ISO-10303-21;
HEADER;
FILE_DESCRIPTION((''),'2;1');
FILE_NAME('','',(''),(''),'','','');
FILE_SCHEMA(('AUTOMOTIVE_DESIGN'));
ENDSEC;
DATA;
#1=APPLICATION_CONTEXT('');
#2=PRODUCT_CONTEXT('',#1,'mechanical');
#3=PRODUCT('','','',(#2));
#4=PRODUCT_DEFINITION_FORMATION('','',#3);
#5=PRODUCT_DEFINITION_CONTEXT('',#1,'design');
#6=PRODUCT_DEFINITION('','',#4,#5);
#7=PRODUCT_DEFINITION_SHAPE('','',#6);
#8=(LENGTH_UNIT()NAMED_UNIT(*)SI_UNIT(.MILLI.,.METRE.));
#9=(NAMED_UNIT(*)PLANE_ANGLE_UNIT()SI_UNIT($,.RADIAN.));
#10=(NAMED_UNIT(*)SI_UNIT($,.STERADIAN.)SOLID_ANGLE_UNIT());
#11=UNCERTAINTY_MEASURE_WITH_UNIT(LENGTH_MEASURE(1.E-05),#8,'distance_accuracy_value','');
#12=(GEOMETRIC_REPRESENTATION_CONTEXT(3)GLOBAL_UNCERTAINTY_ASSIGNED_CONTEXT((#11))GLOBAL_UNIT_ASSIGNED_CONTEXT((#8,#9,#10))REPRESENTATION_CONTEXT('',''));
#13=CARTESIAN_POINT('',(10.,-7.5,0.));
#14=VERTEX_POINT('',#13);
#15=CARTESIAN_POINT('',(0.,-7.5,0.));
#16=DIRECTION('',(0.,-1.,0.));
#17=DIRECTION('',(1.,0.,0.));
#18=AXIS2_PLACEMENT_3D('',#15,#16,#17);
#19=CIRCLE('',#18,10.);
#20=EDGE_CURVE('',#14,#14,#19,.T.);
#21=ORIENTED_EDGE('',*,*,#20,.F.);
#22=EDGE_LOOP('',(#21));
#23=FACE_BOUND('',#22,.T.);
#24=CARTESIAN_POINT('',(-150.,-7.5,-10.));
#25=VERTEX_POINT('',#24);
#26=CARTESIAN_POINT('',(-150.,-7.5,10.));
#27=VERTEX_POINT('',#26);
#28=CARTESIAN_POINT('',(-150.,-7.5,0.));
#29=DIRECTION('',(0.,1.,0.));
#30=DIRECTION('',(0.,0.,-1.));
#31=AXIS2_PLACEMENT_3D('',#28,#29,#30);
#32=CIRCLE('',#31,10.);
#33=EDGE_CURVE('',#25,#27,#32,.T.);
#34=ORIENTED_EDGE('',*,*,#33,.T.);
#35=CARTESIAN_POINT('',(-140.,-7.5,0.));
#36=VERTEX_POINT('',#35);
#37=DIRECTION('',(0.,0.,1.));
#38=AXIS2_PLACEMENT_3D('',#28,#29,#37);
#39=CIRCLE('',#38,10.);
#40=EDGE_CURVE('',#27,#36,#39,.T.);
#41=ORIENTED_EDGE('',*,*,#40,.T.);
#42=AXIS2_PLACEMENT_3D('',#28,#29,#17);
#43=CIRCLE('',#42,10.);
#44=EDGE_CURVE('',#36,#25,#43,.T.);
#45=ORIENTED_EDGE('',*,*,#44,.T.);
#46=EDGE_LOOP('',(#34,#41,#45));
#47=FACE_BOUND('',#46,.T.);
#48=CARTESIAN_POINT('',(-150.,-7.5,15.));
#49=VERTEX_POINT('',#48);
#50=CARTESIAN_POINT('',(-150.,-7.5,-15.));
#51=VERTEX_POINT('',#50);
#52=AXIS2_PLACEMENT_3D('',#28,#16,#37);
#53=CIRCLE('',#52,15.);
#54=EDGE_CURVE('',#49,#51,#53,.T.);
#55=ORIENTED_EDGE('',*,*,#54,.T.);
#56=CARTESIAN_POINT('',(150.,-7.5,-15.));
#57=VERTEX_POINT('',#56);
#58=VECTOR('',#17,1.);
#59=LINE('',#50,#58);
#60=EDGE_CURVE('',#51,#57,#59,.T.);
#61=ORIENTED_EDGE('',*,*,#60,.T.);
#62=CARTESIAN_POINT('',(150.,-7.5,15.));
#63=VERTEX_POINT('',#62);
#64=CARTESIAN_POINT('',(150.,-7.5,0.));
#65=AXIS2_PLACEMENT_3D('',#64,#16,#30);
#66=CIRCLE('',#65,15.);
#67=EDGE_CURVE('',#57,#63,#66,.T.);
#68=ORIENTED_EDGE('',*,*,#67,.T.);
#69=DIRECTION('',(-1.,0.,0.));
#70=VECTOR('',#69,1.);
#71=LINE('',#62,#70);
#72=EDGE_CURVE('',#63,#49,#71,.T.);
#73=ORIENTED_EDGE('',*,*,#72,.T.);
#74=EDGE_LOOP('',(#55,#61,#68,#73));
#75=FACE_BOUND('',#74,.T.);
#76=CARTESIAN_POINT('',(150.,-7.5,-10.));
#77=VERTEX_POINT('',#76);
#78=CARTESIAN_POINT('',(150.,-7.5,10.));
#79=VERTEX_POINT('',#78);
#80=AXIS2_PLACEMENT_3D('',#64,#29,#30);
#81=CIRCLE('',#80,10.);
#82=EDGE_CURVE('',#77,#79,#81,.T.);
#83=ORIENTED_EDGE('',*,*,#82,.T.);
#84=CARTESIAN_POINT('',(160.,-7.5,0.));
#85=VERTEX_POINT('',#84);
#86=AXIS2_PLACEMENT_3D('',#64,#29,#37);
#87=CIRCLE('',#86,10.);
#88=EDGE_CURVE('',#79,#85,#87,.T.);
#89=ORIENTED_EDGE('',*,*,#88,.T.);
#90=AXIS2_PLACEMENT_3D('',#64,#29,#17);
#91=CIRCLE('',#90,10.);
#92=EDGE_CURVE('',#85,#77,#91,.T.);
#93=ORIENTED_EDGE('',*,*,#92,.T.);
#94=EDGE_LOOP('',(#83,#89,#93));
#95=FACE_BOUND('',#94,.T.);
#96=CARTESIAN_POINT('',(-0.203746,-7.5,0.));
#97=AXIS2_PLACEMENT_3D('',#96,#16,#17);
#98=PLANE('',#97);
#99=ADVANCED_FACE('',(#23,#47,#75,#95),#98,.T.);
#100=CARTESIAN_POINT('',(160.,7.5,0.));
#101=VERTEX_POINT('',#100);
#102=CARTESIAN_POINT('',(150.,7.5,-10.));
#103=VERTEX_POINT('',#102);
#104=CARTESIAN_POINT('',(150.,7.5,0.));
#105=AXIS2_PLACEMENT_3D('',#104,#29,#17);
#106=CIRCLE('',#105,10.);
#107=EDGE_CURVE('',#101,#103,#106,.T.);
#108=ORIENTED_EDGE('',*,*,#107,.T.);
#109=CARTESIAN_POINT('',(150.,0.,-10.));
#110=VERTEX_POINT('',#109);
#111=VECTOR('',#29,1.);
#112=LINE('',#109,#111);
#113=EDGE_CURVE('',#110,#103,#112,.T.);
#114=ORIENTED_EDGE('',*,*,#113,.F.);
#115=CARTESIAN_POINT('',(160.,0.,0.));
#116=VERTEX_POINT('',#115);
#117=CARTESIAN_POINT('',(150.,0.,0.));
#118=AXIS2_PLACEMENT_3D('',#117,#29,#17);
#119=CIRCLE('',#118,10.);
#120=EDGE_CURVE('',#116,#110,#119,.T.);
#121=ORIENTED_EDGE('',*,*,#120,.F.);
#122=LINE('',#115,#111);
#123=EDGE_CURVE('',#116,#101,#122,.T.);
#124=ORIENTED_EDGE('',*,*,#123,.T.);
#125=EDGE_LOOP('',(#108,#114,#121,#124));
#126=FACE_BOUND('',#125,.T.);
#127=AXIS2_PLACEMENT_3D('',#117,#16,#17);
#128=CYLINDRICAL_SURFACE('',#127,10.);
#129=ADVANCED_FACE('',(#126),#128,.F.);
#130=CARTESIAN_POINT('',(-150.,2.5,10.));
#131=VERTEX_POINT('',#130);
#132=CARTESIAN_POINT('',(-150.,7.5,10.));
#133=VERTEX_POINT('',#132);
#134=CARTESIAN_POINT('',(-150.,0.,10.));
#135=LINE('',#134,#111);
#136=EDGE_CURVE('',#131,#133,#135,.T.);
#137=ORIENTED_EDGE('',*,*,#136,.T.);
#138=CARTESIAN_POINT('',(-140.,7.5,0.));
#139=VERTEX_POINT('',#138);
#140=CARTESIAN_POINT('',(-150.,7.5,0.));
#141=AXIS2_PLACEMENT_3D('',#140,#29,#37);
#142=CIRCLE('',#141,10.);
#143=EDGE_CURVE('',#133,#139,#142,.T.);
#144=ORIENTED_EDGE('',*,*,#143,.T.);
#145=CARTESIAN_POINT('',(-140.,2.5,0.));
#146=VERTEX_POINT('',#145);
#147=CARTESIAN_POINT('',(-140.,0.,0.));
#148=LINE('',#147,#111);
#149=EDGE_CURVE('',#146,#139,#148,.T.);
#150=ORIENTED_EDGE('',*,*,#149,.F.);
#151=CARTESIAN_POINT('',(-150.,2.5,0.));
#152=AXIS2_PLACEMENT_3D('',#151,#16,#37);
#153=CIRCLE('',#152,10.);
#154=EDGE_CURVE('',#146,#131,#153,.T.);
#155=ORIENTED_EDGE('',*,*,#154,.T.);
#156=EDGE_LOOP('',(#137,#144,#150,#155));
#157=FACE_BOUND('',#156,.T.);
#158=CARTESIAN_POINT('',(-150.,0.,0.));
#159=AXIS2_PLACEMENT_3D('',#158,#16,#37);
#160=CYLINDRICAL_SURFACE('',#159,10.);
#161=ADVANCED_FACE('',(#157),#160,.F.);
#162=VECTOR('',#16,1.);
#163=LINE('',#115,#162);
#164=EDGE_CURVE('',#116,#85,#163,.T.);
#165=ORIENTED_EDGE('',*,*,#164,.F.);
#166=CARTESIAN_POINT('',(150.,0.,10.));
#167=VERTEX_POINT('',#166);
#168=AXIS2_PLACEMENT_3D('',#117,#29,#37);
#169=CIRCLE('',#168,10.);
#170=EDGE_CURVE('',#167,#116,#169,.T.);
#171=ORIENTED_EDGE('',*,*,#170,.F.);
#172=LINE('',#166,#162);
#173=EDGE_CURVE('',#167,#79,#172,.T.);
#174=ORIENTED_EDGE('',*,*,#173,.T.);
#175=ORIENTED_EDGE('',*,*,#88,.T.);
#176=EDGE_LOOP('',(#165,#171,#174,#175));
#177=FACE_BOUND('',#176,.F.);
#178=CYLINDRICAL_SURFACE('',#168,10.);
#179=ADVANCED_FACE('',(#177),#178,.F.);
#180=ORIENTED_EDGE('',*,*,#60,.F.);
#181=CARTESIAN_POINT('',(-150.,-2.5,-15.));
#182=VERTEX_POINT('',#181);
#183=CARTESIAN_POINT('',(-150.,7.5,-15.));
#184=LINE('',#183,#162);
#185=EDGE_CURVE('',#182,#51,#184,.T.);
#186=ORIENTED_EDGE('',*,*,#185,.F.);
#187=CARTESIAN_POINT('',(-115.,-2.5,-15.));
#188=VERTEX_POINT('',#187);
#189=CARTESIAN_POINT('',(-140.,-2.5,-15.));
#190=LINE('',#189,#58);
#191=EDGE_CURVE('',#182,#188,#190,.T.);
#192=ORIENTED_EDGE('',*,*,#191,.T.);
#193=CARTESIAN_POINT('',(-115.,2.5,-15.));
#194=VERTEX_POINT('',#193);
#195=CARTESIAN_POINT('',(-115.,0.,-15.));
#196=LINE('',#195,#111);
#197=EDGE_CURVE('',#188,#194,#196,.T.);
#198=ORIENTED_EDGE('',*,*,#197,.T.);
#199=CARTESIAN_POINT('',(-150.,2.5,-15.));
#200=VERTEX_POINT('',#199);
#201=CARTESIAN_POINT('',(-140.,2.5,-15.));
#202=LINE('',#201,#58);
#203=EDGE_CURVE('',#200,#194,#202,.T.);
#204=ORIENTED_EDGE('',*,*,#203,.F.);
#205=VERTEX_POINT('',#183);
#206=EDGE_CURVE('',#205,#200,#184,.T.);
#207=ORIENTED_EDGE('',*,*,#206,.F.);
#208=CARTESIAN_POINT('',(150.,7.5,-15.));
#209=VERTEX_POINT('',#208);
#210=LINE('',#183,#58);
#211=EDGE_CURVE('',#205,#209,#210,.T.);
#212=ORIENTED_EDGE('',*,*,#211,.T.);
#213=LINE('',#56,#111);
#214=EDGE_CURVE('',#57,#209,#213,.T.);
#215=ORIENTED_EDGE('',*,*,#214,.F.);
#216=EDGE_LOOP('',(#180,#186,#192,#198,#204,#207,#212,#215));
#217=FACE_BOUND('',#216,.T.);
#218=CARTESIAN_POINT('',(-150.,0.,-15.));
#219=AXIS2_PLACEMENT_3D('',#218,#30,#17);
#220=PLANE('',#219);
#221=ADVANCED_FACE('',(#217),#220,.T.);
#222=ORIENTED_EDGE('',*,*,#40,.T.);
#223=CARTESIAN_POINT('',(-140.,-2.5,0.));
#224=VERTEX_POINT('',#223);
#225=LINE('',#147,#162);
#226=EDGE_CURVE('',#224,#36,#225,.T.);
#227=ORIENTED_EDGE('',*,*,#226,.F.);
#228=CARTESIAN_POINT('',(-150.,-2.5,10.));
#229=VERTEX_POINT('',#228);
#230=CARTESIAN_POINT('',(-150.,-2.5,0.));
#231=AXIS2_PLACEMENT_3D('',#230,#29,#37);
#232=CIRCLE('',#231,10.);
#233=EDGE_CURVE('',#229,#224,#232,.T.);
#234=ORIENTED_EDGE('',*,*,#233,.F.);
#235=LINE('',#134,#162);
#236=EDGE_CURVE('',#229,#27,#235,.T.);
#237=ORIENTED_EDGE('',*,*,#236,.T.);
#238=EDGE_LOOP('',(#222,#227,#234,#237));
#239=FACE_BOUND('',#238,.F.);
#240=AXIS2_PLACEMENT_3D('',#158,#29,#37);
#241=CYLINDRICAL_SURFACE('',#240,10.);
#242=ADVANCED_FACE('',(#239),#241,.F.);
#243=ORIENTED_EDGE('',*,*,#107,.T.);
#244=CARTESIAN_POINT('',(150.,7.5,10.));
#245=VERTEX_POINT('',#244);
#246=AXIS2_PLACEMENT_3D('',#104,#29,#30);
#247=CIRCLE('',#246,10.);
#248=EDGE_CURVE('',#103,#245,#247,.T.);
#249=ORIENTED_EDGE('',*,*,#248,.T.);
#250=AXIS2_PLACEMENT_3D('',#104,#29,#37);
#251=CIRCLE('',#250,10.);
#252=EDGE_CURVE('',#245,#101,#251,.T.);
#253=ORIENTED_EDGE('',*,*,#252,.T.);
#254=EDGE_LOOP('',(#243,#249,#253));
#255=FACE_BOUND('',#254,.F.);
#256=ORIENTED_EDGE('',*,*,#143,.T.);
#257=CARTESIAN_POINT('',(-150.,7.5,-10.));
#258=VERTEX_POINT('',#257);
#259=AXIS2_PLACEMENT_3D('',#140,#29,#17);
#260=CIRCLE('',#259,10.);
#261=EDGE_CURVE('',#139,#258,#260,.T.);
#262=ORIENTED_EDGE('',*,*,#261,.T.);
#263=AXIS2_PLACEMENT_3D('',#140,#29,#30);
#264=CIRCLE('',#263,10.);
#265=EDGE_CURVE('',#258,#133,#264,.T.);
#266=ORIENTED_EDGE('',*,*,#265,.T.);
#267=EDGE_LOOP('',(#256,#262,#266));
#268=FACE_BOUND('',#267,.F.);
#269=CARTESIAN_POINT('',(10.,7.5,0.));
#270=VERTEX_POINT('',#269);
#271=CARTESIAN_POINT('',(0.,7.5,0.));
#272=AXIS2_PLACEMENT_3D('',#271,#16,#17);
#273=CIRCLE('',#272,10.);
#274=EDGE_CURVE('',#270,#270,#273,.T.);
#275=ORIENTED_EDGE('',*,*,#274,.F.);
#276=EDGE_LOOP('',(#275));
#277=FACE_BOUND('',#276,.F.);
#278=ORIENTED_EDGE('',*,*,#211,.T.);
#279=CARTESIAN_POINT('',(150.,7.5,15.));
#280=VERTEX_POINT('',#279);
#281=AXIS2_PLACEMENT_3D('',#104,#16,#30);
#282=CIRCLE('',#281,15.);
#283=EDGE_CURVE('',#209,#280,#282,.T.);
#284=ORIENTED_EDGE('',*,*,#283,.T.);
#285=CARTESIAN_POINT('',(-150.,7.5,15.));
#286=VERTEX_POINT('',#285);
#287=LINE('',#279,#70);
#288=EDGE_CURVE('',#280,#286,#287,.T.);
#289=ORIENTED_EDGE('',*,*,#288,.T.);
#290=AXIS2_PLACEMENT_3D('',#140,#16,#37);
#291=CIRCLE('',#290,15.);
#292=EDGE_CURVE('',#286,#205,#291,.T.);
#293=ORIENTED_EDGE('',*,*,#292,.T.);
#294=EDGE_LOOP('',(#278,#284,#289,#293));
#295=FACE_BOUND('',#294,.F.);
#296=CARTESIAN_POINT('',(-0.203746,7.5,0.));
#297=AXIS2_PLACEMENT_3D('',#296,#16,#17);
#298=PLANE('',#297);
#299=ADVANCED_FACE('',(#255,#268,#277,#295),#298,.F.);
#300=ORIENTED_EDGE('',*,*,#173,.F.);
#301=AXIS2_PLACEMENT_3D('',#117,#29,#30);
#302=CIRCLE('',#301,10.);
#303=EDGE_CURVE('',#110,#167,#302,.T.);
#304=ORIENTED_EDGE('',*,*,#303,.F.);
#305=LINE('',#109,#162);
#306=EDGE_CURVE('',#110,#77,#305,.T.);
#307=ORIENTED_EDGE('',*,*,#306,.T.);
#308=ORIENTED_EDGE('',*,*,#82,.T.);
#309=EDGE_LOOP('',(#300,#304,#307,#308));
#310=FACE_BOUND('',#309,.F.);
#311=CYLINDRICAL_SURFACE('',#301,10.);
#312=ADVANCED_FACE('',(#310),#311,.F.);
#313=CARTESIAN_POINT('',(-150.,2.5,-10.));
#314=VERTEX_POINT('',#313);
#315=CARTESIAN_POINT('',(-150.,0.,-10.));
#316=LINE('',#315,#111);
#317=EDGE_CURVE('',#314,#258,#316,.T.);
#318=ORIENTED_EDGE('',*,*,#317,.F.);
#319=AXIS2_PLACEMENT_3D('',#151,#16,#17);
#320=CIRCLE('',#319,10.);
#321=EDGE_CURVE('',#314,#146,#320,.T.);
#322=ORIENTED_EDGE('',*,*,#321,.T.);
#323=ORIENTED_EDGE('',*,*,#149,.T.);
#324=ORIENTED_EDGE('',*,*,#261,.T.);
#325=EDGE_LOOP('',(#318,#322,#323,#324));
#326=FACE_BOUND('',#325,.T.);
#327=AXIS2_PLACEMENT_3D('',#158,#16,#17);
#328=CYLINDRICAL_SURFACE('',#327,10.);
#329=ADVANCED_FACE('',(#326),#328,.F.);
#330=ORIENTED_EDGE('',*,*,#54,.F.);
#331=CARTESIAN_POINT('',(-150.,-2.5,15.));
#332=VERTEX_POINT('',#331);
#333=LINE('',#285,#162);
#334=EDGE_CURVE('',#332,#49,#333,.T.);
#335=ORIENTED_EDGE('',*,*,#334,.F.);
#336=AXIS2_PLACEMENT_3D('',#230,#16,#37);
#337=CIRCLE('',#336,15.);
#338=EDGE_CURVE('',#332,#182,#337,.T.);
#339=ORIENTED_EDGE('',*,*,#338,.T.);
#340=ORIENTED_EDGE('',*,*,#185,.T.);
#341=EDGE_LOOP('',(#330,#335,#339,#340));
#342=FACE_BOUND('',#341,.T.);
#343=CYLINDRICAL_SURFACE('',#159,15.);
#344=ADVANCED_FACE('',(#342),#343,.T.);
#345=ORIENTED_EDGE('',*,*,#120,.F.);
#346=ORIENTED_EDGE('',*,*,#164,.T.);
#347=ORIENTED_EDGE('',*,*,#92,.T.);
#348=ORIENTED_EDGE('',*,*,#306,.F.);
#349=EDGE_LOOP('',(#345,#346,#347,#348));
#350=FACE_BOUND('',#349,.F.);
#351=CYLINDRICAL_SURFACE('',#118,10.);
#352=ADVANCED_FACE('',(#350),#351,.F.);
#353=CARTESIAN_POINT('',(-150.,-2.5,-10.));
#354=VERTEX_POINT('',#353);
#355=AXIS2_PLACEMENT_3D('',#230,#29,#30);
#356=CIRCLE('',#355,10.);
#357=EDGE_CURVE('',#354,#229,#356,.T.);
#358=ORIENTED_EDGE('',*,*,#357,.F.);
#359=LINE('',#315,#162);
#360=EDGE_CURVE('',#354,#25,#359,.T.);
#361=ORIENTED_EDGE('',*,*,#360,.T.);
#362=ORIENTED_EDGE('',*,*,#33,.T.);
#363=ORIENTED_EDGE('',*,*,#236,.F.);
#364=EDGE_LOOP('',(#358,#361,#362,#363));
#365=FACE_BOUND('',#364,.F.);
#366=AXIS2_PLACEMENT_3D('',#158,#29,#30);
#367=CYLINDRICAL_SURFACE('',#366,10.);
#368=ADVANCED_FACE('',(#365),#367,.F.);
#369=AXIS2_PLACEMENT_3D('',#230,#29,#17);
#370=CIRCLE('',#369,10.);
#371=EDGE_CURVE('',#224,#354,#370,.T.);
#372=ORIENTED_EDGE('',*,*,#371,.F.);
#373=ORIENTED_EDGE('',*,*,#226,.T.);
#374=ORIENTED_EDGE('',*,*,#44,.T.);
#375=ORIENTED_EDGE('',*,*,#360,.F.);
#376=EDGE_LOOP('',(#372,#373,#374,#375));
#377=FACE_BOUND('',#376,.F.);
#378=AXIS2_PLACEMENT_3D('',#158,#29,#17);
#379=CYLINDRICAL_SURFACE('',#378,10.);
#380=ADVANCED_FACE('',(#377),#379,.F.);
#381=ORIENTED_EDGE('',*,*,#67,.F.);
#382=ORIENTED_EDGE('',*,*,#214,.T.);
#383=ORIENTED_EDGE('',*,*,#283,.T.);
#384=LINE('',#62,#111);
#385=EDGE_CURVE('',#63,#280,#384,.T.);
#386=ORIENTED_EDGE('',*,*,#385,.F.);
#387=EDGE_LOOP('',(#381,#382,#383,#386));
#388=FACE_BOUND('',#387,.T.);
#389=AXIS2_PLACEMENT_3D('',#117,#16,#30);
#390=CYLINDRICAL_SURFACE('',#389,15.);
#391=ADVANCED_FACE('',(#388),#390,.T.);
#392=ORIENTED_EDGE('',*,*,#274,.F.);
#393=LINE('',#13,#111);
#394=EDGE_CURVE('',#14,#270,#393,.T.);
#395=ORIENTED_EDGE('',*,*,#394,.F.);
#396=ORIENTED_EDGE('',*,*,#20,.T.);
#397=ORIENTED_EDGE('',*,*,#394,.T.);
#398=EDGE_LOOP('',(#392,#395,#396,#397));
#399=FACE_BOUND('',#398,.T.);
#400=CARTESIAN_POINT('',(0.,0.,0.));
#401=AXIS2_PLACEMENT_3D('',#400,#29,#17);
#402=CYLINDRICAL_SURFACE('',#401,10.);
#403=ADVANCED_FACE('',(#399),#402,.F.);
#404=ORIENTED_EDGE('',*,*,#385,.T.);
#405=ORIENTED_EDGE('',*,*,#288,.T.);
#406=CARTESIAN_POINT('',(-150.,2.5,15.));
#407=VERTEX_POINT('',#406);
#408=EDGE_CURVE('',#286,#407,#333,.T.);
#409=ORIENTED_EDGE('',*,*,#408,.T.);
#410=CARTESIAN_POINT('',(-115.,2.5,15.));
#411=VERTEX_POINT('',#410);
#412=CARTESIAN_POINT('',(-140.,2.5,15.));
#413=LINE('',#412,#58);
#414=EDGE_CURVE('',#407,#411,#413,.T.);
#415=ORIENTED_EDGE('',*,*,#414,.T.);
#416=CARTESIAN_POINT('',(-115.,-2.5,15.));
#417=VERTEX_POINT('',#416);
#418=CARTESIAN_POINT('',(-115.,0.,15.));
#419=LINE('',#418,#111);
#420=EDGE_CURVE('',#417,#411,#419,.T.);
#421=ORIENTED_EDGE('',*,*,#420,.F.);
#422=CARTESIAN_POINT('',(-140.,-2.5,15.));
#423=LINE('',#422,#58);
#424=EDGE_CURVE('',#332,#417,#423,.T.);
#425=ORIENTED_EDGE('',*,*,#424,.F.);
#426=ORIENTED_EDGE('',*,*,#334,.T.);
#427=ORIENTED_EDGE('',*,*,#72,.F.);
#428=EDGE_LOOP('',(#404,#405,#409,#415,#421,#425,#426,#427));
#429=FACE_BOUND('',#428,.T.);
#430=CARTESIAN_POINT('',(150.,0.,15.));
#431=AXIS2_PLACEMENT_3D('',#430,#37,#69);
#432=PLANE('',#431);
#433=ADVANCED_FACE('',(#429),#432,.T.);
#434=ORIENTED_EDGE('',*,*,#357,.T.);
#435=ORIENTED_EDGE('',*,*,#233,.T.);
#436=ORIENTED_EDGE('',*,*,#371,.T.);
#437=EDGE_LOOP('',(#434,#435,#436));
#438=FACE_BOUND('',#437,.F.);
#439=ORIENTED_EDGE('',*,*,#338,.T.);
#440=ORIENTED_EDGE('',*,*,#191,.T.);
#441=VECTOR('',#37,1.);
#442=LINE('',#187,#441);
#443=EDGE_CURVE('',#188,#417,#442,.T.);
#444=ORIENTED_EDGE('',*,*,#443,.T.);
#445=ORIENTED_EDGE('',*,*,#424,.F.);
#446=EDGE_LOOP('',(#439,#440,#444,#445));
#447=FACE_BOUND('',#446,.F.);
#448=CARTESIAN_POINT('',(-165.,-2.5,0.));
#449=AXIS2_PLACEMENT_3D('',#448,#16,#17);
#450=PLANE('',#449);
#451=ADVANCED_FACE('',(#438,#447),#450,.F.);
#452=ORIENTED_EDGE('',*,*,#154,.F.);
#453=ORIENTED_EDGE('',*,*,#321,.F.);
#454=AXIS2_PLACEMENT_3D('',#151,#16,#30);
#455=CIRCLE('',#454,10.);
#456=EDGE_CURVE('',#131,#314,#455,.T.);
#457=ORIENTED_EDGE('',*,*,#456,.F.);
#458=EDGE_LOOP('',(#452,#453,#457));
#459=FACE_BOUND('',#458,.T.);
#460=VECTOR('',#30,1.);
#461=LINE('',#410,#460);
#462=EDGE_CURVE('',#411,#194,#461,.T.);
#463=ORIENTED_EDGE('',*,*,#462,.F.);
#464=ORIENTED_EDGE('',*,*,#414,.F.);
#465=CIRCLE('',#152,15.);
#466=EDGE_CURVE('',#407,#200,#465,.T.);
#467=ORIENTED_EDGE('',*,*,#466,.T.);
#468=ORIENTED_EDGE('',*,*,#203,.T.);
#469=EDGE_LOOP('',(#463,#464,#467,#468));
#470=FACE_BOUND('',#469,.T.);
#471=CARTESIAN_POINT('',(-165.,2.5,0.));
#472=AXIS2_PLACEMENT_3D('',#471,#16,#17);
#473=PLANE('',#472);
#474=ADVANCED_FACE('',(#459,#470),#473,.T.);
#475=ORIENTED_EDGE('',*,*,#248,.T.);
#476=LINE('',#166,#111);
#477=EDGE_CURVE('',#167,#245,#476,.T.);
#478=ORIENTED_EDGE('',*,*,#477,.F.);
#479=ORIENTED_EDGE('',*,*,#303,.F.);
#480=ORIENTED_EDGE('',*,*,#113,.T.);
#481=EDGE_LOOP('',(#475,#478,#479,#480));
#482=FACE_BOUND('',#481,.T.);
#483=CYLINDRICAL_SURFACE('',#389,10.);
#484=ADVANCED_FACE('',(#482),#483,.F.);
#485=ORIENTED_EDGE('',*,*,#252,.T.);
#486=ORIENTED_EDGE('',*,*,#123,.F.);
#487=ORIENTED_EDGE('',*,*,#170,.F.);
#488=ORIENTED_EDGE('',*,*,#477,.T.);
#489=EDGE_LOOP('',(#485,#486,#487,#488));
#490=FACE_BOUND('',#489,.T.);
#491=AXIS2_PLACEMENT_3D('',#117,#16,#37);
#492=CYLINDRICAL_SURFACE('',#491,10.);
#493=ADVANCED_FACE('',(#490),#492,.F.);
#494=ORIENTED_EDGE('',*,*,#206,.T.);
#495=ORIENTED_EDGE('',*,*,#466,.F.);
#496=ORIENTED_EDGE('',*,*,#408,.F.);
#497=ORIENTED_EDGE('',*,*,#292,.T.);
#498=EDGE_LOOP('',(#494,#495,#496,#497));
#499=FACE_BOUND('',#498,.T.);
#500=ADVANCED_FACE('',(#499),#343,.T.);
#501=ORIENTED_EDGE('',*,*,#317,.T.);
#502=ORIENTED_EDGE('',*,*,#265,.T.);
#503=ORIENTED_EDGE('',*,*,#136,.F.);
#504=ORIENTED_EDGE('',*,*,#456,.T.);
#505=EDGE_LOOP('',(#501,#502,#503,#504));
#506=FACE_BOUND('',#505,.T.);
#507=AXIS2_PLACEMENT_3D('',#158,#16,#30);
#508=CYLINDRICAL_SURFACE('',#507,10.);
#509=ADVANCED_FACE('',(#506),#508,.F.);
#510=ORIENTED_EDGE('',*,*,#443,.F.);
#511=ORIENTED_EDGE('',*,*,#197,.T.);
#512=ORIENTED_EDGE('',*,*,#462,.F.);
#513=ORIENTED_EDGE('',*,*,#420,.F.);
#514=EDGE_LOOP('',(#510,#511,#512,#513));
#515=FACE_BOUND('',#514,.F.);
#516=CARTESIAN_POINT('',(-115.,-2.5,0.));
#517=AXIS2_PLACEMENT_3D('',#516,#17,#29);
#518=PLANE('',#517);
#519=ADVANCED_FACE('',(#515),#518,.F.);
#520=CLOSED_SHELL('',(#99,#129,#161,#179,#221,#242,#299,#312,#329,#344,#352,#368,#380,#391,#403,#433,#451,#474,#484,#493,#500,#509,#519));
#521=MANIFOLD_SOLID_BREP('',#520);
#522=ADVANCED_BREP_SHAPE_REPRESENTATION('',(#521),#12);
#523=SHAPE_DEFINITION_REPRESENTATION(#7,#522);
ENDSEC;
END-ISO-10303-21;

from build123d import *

# Parameters (mm, degrees)
F0_R     = 10
F1_DEPTH = 7.5
F2_W     = 50
F2_H     = 5
F3_DEPTH = 15


with BuildPart() as f1:
    # F0 (on Front) → F1 (new body, symmetric)
    with BuildSketch(Plane.XZ):
        with BuildLine():
            Line((150, 15), (-150, 15))
            Line((-150, 15), (-150, 10))
            ThreePointArc((-150, 10), (-142.9289321881, 7.0710678119), (-140, 0))
            ThreePointArc((-140, 0), (-142.9289321881, -7.0710678119), (-150, -10))
            Line((-150, -10), (-150, -15))
            Line((-150, -15), (150, -15))
            Line((150, -15), (150, -10))
            ThreePointArc((150, -10), (140, 0), (150, 10))
            Line((150, 10), (150, 15))
        make_face()
        Circle(F0_R, mode=Mode.SUBTRACT)
        with BuildLine():
            Line((-150, 10), (-150, 15))
            ThreePointArc((-150, 15), (-165, 0), (-150, -15))
            Line((-150, -15), (-150, -10))
            ThreePointArc((-150, -10), (-160, 0), (-150, 10))
        make_face()
        with BuildLine():
            ThreePointArc((150, -15), (165, 0), (150, 15))
            Line((150, 15), (150, 10))
            ThreePointArc((150, 10), (157.0710678119, 7.0710678119), (160, 0))
            ThreePointArc((160, 0), (157.0710678119, -7.0710678119), (150, -10))
            Line((150, -10), (150, -15))
        make_face()
    extrude(amount=F1_DEPTH, both=True)

    # F2 (on Top) → F3 (cut, symmetric)
    with BuildSketch(Plane.XY):
        with Locations((-140, 0)):
            Rectangle(F2_W, F2_H)
    extrude(amount=F3_DEPTH, both=True, mode=Mode.SUBTRACT)


solid = f1.part
